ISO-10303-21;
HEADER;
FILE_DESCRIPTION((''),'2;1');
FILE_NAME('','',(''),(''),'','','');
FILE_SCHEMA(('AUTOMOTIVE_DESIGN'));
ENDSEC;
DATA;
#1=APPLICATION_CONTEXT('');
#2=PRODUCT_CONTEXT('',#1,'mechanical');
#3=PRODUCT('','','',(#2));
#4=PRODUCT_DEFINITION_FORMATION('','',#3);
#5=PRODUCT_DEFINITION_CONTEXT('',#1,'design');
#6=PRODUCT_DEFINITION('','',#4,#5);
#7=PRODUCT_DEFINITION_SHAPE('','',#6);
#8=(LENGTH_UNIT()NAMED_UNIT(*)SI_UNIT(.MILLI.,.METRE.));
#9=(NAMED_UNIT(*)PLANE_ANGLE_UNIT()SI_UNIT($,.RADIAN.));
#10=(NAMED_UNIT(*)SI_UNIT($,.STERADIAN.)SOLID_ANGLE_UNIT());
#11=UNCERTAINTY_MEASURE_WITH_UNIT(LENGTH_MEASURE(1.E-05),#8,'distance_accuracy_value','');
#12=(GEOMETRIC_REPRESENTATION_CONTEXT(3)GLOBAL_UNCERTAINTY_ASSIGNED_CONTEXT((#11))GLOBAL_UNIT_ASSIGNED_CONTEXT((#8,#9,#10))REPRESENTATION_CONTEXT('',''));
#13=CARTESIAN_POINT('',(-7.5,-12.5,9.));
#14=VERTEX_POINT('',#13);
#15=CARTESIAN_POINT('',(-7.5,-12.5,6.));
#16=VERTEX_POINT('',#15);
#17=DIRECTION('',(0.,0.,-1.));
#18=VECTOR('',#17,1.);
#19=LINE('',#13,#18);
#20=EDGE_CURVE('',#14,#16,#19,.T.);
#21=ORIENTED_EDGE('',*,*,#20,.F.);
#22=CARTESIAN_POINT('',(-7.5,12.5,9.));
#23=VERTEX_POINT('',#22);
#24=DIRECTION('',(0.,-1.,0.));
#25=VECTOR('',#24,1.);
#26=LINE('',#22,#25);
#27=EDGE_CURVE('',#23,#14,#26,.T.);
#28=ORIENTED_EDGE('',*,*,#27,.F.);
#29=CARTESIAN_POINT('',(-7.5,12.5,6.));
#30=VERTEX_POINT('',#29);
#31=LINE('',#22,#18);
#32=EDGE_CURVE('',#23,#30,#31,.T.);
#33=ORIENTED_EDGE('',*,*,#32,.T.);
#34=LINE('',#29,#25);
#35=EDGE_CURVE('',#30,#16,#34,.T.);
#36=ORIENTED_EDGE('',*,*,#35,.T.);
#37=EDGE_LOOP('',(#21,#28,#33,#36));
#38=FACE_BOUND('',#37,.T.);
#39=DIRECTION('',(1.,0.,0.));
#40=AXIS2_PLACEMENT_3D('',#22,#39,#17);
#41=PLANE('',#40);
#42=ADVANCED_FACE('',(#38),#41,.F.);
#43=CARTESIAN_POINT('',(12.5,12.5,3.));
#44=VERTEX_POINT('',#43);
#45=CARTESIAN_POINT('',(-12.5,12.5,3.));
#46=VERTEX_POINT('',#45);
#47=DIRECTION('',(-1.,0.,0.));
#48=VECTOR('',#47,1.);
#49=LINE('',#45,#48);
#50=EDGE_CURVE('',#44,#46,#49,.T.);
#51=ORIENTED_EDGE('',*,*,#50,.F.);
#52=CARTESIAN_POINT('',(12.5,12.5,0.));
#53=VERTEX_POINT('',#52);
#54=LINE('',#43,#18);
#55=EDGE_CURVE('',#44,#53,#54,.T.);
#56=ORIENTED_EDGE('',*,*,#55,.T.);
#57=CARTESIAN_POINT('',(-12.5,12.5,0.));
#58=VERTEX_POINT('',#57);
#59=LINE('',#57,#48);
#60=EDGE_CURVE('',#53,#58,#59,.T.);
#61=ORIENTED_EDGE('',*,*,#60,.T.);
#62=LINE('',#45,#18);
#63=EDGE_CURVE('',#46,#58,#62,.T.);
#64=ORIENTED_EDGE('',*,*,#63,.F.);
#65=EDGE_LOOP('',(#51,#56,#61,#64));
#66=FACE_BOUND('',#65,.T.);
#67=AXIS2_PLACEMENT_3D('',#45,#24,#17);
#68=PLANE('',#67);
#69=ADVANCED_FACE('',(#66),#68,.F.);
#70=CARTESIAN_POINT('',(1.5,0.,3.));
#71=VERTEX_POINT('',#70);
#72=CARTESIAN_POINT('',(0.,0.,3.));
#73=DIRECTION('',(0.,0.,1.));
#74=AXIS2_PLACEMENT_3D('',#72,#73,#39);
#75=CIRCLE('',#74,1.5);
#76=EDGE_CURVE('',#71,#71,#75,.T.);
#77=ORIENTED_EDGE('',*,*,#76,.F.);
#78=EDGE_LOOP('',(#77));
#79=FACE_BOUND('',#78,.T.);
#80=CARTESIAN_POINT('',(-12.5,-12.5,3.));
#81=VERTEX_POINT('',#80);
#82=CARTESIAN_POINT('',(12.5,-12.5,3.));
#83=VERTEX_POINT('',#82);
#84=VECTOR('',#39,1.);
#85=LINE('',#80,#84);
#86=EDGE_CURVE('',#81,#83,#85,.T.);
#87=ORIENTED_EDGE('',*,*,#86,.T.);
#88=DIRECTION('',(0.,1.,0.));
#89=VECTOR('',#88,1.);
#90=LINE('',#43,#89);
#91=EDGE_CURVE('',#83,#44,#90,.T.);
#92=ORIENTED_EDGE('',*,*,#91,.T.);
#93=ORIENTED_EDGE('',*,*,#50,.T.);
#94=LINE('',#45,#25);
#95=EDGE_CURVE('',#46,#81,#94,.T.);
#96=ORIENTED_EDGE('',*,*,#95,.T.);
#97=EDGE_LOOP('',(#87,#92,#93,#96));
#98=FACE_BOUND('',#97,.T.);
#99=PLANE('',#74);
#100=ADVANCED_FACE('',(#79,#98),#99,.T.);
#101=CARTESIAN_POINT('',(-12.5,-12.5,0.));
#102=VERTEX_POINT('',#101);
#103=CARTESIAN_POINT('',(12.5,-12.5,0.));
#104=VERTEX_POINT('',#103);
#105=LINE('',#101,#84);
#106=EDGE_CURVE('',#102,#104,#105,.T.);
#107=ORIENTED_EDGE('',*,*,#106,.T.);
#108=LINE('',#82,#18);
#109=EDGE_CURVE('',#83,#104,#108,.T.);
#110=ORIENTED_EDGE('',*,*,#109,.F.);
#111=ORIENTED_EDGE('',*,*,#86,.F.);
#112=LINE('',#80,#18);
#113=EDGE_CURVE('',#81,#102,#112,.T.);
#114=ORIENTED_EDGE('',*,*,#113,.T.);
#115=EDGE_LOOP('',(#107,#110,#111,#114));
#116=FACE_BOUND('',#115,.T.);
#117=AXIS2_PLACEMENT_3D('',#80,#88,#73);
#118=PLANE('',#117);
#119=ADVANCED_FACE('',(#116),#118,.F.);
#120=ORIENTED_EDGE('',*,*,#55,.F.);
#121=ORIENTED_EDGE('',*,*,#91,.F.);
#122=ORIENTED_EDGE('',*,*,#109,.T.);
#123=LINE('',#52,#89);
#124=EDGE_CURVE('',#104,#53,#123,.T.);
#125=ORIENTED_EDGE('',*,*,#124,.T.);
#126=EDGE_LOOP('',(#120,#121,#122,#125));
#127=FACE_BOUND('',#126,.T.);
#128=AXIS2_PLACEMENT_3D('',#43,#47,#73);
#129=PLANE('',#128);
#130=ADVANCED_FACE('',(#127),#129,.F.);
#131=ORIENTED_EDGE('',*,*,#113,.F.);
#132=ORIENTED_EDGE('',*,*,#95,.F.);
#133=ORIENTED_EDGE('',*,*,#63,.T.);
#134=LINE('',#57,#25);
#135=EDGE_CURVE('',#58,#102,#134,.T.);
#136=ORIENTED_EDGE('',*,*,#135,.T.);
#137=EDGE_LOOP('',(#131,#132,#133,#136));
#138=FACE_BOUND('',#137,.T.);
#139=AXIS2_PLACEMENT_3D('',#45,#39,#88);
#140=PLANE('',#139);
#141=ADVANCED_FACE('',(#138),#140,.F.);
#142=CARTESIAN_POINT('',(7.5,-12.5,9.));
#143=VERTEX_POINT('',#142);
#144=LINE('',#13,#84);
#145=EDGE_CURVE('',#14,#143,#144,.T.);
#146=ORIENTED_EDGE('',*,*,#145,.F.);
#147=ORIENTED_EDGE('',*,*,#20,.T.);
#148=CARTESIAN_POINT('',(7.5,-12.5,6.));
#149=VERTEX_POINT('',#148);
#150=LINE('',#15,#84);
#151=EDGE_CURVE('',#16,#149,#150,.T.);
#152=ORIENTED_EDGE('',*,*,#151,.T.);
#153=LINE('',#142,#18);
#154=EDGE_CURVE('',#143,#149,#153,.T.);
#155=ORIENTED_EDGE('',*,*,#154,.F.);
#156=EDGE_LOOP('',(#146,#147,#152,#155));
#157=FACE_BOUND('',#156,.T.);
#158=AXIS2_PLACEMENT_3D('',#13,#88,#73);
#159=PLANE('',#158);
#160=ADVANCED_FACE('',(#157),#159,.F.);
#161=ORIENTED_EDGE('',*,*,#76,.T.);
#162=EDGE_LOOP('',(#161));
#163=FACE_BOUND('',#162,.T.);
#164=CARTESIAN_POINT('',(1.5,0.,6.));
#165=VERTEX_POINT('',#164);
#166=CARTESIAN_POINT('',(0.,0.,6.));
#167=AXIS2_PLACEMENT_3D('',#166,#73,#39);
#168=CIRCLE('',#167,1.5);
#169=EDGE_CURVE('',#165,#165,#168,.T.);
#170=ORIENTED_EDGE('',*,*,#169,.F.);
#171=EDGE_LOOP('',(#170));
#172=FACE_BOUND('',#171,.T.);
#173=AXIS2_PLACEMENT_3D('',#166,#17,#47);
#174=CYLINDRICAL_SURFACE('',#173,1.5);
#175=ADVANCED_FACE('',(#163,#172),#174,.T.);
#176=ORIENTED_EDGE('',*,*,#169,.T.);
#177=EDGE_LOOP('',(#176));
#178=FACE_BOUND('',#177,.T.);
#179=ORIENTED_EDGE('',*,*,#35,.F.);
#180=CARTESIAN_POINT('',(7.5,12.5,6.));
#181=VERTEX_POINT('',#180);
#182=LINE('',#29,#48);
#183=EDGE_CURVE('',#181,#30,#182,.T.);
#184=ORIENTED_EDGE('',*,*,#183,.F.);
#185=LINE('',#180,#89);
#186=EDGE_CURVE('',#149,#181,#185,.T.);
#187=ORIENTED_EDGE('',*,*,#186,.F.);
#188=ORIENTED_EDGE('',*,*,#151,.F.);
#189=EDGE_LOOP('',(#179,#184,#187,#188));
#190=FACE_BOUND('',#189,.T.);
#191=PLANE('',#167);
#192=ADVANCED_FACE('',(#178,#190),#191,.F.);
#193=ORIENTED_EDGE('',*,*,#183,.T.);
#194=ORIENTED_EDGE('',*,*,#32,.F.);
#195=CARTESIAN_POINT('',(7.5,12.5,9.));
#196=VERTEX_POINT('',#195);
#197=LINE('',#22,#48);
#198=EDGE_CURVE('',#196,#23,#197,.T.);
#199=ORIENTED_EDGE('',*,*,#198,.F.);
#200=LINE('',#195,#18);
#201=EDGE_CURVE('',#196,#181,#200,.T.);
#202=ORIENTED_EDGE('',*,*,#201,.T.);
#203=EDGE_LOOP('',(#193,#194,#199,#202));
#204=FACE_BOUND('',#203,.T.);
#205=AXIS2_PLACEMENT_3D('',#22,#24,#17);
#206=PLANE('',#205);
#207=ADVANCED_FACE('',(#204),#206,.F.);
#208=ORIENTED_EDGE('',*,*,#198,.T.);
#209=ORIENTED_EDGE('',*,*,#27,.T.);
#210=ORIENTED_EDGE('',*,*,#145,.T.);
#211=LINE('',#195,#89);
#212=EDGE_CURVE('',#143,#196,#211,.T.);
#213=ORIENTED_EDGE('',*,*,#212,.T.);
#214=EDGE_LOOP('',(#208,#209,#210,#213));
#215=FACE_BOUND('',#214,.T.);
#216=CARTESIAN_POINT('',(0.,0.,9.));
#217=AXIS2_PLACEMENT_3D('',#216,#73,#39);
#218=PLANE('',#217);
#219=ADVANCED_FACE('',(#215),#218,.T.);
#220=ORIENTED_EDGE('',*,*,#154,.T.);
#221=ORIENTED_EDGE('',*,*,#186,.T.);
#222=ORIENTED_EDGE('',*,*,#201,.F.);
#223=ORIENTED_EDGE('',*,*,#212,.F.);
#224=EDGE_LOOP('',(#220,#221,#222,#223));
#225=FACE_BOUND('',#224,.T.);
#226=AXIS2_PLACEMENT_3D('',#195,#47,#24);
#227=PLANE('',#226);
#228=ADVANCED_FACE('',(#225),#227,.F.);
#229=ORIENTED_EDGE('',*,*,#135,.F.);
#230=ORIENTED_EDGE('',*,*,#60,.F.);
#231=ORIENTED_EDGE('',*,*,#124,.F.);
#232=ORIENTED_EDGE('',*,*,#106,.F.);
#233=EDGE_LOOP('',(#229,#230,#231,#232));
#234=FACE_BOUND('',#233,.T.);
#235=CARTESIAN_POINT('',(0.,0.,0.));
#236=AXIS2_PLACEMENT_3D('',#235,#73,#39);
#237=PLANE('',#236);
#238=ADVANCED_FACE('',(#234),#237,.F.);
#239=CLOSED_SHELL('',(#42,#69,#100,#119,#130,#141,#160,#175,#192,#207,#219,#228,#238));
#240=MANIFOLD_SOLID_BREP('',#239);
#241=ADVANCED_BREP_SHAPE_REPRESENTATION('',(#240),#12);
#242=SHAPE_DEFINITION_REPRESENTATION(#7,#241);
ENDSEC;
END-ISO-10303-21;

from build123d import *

# Parameters (mm, degrees)
SKETCH2_W           = 25
SKETCH2_H           = 25
BOSS_EXTRUDE2_DEPTH = 3
SKETCH3_R           = 1.5
BOSS_EXTRUDE3_DEPTH = 3
SKETCH4_W           = 15
SKETCH4_H           = 25
BOSS_EXTRUDE4_DEPTH = 3


with BuildPart() as part:
    # Sketch2 → Boss-Extrude2 (new body)
    with BuildSketch(Plane.XY):
        Rectangle(SKETCH2_W, SKETCH2_H)
    extrude(amount=BOSS_EXTRUDE2_DEPTH)

    # Sketch3 → Boss-Extrude3 (add)
    with BuildSketch(Plane.XY.offset(3)):
        Circle(SKETCH3_R)
    extrude(amount=BOSS_EXTRUDE3_DEPTH)

    # Sketch4 → Boss-Extrude4 (add)
    with BuildSketch(Plane.XY.offset(6)):
        Rectangle(SKETCH4_W, SKETCH4_H)
    extrude(amount=BOSS_EXTRUDE4_DEPTH)


solid = part.part
